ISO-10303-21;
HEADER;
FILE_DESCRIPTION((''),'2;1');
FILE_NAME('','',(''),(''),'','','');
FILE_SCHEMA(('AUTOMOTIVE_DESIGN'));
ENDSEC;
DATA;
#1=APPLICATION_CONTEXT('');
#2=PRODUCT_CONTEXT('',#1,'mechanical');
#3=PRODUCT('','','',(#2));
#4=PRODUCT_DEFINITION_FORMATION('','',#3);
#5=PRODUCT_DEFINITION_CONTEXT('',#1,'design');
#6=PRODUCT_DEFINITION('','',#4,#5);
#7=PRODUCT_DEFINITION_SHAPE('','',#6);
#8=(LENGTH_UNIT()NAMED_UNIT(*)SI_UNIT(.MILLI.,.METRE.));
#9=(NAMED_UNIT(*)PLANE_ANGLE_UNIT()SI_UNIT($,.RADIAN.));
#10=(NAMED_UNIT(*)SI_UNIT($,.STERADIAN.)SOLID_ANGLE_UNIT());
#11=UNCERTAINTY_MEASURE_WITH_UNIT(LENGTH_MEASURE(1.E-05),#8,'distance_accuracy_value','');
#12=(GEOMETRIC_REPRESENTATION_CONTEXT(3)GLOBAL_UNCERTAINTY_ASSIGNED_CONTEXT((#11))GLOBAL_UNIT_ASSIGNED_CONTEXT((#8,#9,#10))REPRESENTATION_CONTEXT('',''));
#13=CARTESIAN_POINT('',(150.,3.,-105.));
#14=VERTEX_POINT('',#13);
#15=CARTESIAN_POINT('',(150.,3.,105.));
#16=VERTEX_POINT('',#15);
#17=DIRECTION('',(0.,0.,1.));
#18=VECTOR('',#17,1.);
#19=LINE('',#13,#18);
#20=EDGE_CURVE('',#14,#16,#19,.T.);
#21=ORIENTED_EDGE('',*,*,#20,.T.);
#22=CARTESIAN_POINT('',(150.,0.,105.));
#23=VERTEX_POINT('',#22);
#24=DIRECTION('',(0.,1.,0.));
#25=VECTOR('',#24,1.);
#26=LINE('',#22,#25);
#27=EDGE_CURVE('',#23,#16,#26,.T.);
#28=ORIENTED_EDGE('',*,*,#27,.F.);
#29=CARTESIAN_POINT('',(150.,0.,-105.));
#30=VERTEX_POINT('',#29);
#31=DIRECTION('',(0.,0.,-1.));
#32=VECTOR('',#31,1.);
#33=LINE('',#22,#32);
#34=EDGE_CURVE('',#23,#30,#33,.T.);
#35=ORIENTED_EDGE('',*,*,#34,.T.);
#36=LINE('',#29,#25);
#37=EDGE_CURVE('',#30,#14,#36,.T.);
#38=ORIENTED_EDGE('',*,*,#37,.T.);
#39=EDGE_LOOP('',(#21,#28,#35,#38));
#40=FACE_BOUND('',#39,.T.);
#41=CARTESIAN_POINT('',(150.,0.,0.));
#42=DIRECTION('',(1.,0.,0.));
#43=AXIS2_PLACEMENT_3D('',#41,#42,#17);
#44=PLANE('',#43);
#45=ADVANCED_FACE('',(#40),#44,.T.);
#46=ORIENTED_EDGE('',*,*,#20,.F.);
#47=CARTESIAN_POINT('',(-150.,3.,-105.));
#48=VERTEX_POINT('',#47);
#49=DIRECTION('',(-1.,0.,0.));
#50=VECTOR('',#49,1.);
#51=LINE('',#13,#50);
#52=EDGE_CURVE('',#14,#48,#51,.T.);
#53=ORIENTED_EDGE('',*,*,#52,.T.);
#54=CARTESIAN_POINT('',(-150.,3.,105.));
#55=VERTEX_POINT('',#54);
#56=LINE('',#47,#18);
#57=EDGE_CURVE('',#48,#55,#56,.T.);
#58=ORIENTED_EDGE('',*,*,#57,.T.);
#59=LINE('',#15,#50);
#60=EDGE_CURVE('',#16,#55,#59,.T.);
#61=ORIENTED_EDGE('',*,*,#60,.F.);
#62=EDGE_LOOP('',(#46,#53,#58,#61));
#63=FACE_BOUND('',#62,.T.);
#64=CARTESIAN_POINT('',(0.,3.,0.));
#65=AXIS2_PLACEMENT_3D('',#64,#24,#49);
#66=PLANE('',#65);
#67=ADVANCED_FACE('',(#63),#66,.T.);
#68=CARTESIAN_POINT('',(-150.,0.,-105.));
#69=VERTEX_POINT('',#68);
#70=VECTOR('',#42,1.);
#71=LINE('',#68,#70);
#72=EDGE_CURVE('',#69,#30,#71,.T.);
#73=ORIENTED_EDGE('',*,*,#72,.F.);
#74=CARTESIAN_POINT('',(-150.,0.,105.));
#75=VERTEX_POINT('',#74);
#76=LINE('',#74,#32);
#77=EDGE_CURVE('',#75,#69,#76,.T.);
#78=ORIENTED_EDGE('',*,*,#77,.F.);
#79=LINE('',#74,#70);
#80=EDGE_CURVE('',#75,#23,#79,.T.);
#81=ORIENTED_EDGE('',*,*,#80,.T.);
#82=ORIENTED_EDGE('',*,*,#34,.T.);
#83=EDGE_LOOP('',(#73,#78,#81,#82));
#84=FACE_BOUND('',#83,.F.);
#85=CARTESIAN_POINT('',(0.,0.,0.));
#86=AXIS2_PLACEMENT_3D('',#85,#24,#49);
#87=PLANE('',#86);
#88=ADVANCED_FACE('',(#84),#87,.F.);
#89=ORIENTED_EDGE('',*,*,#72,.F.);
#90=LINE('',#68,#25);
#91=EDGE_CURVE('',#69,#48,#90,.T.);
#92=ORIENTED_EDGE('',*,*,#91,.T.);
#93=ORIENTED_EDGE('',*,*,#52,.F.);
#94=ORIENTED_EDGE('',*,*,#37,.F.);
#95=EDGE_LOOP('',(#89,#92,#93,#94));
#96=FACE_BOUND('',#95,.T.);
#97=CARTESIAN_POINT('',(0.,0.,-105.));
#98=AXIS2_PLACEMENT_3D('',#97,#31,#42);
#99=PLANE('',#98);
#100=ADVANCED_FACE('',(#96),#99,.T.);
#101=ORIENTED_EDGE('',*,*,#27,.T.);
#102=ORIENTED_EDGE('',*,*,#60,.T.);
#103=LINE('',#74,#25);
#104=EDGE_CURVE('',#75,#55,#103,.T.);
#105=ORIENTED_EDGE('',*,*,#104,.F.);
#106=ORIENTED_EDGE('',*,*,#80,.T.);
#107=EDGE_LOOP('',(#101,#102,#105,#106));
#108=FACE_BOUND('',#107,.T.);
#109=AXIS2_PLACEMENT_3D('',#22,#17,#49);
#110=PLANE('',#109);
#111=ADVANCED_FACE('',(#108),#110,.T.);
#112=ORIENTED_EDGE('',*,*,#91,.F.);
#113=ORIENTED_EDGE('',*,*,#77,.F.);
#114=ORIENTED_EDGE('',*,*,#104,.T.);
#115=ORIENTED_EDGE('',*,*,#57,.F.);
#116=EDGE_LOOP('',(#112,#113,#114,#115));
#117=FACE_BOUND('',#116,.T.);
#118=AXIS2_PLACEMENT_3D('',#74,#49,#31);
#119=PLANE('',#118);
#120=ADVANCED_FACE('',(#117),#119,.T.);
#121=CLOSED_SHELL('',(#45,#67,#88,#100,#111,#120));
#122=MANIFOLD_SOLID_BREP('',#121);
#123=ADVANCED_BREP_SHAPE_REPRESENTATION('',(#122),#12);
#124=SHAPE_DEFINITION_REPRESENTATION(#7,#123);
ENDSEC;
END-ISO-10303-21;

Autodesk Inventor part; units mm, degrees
ref_plane "YZ Plane" through (0, 0, 0) normal (1, 0, 0) x (0, 1, 0)
ref_plane "XZ Plane" through (0, 0, 0) normal (0, 1, 0) x (-1, 0, 0)
ref_plane "XY Plane" through (0, 0, 0) normal (0, 0, 1) x (1, 0, 0)
sketch "Szkic1" plane through (0, 0, 0) normal (0, 1, 0) x (-1, 0, 0)
  line L0 (-150, 105) -> (150, 105)
  line L1 (150, 105) -> (150, -105)
  line L2 (150, -105) -> (-150, -105)
  line L3 (-150, -105) -> (-150, 105)
  line L4 (0, -147) -> (0, 147) projected
  line L5 (210, 0) -> (-210, 0) projected
  point P0 (0, 0)
  dimension "d0" = 300
  dimension "d2" = 210
extrude "Wyciągnięcie proste1" add sketch "Szkic1" along normal blind 3
equation "\"PromieńGięcia\" = Grubość"
equation "\"SzerokośćGięciaPodcięcia\" = Grubość"
equation "\"GłębokośćGięciaPodcięcia\" = 0.5 * Grubość"
equation "\"RozmiarPodcięciaNarożnika\" = 4 * Grubość"
equation "\"MinimalnaPozostałość\" = 2 * Grubość"
equation "\"PromieńPrzejścia\" = PromieńGięcia"
equation "\"Rozmiar_promienia_Jacobiego\" = Grubość"
equation "\"Wielk_odstępu\" = Grubość"
equation "\"Grubość\" = 4"
properties part number "szyba" material "Szkło"
